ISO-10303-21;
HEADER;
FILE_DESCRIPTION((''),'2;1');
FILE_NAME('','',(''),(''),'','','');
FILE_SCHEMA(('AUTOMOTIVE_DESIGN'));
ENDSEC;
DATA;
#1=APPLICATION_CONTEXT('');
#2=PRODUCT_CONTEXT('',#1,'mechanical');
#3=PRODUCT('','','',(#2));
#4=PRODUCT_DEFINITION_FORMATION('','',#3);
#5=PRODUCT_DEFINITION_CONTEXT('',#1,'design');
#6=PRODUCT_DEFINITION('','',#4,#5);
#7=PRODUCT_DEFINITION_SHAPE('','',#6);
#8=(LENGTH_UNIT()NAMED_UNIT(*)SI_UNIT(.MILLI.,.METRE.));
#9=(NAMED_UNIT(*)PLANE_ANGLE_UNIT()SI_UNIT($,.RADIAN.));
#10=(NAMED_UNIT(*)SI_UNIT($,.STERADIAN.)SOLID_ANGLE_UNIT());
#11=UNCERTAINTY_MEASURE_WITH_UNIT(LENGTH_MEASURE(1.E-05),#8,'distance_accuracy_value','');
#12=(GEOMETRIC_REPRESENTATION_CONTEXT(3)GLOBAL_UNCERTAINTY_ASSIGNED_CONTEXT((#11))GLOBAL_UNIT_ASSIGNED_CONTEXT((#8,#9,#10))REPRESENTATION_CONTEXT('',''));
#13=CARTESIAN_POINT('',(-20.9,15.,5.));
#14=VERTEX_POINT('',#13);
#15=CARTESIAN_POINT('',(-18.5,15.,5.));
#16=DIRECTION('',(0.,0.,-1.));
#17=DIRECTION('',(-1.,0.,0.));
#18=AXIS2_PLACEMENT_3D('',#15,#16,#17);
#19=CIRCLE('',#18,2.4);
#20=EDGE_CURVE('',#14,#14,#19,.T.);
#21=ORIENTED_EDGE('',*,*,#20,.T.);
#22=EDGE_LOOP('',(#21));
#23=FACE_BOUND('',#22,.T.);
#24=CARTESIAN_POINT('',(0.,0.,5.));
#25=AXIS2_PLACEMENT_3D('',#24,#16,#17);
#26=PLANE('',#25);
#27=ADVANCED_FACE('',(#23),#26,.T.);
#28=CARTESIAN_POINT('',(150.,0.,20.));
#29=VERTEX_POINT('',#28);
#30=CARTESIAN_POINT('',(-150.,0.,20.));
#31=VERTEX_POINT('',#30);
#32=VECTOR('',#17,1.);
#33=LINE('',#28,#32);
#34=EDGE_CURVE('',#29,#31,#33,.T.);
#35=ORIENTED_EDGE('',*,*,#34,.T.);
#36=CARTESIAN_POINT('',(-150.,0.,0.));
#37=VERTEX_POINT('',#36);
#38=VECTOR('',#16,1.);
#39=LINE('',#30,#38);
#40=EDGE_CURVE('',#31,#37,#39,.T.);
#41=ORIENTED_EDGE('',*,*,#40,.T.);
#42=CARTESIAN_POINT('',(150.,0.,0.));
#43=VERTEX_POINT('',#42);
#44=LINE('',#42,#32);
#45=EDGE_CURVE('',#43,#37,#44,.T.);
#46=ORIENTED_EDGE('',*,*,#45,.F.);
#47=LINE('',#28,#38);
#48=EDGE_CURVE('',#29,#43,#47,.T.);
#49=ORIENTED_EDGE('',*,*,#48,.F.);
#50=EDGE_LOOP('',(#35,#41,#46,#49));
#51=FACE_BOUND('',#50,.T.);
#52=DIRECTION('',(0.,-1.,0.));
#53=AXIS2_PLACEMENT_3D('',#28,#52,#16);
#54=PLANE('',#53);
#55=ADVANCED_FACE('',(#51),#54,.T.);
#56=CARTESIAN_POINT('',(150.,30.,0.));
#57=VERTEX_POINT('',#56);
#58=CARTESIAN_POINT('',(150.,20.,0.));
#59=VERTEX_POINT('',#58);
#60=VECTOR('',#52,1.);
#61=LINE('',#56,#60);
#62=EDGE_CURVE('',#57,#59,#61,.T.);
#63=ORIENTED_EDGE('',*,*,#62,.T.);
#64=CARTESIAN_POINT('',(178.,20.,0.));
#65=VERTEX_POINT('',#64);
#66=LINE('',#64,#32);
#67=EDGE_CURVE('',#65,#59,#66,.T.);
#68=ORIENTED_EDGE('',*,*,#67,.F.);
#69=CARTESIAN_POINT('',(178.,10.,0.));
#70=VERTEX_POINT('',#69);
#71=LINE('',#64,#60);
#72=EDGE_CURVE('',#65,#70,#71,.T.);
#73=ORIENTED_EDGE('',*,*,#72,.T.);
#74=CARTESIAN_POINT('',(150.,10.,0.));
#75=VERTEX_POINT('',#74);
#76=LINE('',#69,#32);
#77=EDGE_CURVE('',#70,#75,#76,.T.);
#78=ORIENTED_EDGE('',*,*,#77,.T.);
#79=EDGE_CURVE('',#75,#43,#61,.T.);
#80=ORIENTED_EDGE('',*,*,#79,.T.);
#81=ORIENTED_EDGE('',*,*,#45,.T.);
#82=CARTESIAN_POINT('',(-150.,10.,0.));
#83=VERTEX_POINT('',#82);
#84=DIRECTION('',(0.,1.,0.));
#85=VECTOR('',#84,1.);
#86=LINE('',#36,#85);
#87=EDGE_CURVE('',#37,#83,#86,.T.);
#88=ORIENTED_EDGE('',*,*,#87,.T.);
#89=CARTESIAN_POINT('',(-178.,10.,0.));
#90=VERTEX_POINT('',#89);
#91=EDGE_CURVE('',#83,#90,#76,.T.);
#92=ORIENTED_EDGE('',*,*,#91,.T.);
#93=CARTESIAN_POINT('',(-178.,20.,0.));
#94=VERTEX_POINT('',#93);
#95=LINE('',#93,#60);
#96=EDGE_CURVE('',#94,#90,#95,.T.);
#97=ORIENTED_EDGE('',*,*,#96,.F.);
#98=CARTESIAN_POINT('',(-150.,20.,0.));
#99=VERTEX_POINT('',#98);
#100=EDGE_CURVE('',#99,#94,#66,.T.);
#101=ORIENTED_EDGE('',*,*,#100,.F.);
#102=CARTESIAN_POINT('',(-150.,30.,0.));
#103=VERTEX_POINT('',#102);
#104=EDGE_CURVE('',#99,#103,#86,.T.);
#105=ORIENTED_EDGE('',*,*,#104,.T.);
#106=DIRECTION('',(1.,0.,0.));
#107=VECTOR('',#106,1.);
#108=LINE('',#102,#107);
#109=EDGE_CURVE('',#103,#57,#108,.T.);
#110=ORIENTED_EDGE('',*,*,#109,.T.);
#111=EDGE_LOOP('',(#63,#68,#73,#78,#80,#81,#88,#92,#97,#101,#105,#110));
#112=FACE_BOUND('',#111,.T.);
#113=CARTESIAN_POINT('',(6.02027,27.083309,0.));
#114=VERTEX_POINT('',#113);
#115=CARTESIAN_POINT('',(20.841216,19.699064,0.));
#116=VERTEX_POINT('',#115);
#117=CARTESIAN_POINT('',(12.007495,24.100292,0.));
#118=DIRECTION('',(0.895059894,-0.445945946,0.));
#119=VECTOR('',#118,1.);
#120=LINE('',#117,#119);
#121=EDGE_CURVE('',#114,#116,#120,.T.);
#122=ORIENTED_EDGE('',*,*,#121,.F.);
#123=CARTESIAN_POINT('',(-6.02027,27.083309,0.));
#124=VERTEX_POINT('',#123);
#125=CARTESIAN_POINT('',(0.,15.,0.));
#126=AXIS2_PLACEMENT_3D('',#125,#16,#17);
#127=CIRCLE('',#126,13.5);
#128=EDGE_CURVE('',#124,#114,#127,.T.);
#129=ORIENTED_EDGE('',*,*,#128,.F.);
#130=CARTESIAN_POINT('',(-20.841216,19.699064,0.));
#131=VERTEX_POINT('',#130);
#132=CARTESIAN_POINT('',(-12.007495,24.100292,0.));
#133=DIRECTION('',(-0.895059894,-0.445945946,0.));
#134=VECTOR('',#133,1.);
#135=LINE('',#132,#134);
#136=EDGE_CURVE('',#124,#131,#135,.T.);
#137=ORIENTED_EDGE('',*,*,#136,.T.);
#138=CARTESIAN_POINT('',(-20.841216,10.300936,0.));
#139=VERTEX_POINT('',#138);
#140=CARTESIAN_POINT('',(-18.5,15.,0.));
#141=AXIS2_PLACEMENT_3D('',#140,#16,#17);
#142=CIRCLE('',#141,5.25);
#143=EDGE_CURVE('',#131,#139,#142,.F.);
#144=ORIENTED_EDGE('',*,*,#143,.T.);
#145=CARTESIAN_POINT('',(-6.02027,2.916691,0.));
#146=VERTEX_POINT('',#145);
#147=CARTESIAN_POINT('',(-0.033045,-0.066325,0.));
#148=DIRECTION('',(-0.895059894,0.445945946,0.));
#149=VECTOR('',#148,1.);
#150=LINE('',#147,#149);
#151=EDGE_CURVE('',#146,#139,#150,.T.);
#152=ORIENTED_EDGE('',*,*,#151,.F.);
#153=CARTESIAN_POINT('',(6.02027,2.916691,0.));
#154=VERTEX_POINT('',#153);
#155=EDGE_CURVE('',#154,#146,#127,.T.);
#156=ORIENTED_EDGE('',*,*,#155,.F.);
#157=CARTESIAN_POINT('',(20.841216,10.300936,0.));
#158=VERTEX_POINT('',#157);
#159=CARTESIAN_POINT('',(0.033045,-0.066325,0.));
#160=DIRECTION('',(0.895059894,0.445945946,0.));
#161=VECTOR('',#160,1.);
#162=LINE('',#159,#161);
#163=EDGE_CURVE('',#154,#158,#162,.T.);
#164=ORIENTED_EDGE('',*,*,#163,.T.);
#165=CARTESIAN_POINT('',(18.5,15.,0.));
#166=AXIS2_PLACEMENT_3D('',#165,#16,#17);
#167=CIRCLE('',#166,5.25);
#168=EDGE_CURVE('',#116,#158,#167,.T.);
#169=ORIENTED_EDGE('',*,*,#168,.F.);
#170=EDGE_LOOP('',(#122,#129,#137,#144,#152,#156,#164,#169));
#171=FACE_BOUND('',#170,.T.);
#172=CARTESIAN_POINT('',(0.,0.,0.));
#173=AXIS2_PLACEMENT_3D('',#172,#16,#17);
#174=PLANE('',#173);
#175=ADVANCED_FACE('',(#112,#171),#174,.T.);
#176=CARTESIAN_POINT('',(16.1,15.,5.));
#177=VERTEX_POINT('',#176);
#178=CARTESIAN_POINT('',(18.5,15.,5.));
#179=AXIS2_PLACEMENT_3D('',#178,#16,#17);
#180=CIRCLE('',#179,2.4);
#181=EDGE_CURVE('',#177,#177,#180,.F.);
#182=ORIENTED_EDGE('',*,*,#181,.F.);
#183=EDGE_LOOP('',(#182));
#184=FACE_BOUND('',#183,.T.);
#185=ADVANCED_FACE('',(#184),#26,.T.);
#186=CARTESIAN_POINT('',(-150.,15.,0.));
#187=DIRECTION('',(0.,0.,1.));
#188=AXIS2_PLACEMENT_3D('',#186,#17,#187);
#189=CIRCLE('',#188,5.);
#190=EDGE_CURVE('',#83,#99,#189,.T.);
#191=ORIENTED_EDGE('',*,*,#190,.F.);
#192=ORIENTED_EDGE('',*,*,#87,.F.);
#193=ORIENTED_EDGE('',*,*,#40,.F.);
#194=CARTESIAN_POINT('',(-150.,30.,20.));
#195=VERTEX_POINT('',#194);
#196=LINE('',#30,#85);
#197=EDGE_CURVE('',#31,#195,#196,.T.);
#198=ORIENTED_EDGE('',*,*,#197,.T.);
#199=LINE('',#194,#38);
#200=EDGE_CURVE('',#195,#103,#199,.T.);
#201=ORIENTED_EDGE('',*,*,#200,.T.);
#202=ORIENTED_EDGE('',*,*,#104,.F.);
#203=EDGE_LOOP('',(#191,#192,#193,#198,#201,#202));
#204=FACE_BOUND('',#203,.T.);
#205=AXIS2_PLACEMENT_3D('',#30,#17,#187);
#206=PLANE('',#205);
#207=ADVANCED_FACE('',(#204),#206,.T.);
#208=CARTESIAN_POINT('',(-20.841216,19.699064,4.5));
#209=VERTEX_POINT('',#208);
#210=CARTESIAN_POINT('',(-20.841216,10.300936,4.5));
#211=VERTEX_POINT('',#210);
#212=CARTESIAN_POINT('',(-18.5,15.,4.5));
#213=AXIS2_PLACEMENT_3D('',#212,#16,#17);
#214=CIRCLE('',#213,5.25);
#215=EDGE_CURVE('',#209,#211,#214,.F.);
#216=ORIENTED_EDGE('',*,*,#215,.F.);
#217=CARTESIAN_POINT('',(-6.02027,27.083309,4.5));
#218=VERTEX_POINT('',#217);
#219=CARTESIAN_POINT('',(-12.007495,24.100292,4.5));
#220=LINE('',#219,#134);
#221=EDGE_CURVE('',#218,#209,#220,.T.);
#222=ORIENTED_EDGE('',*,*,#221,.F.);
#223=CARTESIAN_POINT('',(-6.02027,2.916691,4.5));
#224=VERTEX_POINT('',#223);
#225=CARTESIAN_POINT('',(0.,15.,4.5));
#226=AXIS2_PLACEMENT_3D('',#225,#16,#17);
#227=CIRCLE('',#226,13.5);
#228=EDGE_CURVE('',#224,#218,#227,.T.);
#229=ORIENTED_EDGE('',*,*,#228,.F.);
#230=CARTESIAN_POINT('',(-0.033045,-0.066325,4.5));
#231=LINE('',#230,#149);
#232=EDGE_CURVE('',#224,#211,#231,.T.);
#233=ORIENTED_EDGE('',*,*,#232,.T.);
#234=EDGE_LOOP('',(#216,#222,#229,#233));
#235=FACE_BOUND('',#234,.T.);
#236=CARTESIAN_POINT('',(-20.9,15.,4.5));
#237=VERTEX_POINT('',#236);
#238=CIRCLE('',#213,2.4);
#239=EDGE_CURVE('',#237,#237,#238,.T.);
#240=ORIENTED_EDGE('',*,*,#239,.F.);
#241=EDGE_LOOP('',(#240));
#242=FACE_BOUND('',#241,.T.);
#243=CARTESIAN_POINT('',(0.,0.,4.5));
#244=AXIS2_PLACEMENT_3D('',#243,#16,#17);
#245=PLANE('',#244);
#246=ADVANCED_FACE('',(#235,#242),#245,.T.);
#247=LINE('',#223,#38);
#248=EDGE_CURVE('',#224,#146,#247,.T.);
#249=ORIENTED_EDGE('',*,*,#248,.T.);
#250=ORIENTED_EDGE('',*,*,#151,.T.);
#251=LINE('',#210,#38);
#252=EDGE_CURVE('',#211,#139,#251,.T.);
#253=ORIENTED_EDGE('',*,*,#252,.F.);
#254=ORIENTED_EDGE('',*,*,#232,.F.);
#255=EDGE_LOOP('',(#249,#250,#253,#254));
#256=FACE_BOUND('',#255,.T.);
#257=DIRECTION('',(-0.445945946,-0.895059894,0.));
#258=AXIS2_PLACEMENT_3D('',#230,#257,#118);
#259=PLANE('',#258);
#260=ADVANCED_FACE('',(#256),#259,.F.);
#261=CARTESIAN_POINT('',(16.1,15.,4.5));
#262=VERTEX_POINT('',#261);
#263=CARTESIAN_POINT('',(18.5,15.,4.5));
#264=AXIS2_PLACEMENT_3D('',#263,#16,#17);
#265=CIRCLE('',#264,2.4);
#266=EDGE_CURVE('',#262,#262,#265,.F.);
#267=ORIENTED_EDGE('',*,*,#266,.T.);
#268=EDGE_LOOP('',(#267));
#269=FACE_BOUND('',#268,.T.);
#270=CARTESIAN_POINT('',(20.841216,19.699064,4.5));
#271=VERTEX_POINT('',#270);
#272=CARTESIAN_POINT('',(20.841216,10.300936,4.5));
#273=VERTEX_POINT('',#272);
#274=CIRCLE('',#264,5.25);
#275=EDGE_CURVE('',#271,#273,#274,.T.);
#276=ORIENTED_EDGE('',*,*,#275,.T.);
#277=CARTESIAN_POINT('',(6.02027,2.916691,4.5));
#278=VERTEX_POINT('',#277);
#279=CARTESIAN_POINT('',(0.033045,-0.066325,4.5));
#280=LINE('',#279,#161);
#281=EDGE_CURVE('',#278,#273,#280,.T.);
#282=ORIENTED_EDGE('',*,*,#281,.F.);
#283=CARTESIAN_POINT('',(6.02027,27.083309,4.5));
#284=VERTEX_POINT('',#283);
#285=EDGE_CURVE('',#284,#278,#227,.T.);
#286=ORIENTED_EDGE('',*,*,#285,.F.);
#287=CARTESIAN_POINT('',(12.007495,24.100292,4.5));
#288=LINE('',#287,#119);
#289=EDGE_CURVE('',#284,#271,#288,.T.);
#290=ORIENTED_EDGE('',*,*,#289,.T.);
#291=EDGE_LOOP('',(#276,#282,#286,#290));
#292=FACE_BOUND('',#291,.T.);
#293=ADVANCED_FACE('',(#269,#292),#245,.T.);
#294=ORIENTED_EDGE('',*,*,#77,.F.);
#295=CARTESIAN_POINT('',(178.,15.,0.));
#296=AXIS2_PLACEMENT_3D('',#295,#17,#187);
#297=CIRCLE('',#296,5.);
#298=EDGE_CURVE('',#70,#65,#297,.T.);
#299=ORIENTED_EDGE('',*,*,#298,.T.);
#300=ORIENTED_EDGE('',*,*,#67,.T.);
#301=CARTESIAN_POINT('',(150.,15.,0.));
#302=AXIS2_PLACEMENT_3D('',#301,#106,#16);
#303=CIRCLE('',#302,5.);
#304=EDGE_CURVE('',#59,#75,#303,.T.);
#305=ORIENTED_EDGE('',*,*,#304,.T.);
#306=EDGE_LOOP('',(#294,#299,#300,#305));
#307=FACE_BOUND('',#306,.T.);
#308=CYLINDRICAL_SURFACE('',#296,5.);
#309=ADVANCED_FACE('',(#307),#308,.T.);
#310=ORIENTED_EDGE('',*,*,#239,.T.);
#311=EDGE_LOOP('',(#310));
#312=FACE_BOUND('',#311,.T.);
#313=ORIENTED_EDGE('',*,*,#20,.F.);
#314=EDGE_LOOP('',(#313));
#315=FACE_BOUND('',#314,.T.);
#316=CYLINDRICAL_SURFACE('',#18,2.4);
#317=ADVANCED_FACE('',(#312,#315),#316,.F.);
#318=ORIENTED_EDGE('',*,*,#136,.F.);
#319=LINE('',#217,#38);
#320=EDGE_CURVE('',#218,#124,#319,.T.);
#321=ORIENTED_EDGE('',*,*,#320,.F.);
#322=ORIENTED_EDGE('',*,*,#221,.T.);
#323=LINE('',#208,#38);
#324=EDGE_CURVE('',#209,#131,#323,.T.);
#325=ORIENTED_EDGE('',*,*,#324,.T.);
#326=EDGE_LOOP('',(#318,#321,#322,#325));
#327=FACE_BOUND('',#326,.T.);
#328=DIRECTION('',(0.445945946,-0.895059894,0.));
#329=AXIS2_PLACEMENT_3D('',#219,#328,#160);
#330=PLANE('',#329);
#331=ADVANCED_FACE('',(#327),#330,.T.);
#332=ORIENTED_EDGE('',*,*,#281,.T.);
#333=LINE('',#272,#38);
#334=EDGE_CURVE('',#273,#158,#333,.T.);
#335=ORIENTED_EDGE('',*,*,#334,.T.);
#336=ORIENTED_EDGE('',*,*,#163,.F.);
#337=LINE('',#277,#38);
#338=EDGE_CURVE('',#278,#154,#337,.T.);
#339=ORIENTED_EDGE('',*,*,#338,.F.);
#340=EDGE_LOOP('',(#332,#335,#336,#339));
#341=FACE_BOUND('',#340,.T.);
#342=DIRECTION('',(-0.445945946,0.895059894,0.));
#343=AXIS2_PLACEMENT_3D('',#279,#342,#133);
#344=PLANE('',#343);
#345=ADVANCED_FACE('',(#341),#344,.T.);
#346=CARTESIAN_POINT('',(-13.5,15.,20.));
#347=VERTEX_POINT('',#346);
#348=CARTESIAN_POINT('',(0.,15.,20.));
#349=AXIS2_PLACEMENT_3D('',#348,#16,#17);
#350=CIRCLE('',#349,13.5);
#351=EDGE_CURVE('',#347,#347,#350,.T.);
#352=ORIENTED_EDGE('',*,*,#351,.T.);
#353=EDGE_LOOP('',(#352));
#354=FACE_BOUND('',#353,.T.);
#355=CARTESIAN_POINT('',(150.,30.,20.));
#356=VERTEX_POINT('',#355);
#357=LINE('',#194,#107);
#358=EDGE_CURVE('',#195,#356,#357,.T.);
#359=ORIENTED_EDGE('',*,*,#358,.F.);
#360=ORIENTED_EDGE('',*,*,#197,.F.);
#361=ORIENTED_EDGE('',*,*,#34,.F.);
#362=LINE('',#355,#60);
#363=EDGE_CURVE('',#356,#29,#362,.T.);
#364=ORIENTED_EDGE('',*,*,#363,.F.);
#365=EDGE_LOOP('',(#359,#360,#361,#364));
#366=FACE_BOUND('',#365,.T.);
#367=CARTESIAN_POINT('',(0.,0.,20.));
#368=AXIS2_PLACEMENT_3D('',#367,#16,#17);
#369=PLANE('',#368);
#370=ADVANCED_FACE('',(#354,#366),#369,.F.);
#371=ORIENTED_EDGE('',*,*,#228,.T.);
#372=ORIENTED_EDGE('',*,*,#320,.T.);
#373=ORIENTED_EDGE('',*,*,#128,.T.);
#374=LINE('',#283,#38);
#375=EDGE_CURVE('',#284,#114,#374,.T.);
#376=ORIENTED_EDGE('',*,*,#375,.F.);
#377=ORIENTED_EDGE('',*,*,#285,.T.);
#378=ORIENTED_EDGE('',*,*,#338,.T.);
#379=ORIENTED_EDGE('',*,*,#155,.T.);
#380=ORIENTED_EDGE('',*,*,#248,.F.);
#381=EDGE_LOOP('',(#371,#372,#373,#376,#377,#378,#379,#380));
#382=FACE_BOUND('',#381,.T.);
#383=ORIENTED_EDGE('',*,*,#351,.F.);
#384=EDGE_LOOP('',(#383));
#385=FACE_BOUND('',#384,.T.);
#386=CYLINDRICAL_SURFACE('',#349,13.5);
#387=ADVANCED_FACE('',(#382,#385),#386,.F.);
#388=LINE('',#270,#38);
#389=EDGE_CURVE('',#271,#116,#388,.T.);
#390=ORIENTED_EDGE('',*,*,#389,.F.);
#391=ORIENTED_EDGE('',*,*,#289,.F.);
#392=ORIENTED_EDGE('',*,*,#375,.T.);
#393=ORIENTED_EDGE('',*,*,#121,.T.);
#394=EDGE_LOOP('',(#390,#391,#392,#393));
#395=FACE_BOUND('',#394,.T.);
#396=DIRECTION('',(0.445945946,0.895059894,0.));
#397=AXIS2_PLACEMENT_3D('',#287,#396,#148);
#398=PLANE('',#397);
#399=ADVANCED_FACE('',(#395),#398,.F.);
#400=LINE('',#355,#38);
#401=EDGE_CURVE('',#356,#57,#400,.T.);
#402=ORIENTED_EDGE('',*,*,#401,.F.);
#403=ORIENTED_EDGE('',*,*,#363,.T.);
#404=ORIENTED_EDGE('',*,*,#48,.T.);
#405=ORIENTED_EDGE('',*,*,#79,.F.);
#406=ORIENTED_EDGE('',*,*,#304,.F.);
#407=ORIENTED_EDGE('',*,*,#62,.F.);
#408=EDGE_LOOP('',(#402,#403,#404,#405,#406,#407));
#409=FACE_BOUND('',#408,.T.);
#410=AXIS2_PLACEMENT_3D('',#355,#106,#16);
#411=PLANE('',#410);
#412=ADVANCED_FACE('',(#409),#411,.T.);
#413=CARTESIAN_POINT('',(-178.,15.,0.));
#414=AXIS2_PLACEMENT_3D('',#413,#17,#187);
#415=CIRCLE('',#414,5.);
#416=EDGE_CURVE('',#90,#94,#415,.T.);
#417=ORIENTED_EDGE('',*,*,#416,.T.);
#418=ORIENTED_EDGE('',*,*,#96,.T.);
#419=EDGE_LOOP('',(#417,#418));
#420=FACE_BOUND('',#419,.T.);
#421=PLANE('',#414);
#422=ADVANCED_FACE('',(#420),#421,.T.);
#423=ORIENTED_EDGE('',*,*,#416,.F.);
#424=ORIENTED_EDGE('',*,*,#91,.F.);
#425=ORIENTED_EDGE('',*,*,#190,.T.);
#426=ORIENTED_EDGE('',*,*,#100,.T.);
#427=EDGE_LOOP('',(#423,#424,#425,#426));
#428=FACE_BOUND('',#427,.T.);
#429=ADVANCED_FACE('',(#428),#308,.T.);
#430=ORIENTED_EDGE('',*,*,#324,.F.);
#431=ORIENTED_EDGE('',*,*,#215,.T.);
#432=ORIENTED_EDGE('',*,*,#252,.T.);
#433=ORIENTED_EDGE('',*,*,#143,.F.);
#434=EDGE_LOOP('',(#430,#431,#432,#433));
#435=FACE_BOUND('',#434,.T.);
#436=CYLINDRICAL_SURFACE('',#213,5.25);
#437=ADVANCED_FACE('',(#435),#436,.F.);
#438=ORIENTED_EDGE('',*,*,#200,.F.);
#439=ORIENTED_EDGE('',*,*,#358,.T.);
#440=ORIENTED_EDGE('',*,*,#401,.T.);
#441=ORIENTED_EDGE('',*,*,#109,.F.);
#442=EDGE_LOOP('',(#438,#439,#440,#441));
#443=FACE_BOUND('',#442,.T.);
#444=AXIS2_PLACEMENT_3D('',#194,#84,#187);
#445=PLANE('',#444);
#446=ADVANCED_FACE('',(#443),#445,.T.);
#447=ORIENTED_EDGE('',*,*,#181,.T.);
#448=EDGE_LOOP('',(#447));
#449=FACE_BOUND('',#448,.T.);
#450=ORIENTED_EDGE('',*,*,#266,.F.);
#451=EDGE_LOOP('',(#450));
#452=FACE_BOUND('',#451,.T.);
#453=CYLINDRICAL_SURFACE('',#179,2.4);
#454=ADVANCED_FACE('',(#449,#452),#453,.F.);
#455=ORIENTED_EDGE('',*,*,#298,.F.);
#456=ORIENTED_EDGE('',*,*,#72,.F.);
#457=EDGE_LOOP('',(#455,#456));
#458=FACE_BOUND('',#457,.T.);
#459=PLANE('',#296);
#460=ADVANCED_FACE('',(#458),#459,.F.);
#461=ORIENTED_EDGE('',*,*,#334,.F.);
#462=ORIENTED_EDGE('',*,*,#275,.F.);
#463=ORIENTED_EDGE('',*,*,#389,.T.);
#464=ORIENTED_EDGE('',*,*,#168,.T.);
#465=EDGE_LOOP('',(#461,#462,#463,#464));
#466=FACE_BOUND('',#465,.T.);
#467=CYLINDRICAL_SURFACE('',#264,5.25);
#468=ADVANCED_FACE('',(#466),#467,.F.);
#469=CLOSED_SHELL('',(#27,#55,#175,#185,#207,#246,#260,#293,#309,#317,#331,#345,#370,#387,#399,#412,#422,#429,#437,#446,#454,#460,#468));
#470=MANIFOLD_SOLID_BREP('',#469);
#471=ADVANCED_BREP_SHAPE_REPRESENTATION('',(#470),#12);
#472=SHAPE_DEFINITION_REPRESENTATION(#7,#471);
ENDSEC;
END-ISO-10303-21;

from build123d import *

# Parameters (mm, degrees)
SKETCH_1_W           = 300
SKETCH_1_H           = 30
EXTRUDE_1_DEPTH      = 20
EXTRUDE_2_DEPTH      = 28
EXTRUDE_2_DEPTH_BACK = 328
SKETCH_3_R           = 4
CUT_EXTRUDE_1_DEPTH  = 182.614977356
SKETCH_3_3_R         = 6
SKETCH_3_3_R_2       = 4
CUT_EXTRUDE_2_DEPTH  = 182.614977356
SKETCH_3_4_R         = 13.5
SKETCH_3_4_R_2       = 6
CUT_EXTRUDE_3_DEPTH  = 182.614977356
SKETCH_3_5_R         = 2.4
CUT_EXTRUDE_4_DEPTH  = 4.5
SKETCH_3_6_R         = 2.4
CUT_EXTRUDE_5_DEPTH  = 5


with BuildPart() as part:
    # 草图1 → 凸台-拉伸1 (new body)
    with BuildSketch(Plane.XY):
        with Locations((0, 15)):
            Rectangle(SKETCH_1_W, SKETCH_1_H)
    extrude(amount=EXTRUDE_1_DEPTH)

    # 草图2 → 凸台-拉伸2 (add, two sides: drawn at the far end of the back side and taken through both)
    with BuildSketch(Plane.ZY.offset(150).offset(-EXTRUDE_2_DEPTH_BACK)):
        with BuildLine():
            Line((0, 20), (0, 10))
            ThreePointArc((0, 10), (5, 15), (0, 20))
        make_face()
    extrude(amount=EXTRUDE_2_DEPTH + EXTRUDE_2_DEPTH_BACK)

    # 草图3 → 切除-拉伸1 (cut, through all)
    with BuildSketch(Plane(origin=(0, 0, 0), x_dir=(-1, 0, 0), z_dir=(0, 0, -1))):
        with Locations((0, 15)):
            Circle(SKETCH_3_R)
    extrude(amount=-CUT_EXTRUDE_1_DEPTH, mode=Mode.SUBTRACT)

    # 草图3<3> → 切除-拉伸2 (cut, through all)
    with BuildSketch(Plane(origin=(0, 0, 0), x_dir=(-1, 0, 0), z_dir=(0, 0, -1))):
        with Locations((0, 15)):
            Circle(SKETCH_3_3_R)
        with Locations((0, 15)):
            Circle(SKETCH_3_3_R_2, mode=Mode.SUBTRACT)
    extrude(amount=-CUT_EXTRUDE_2_DEPTH, mode=Mode.SUBTRACT)

    # 草图3<4> → 切除-拉伸3 (cut, through all)
    with BuildSketch(Plane(origin=(0, 0, 0), x_dir=(-1, 0, 0), z_dir=(0, 0, -1))):
        with Locations((0, 15)):
            Circle(SKETCH_3_4_R)
        with Locations((0, 15)):
            Circle(SKETCH_3_4_R_2, mode=Mode.SUBTRACT)
    extrude(amount=-CUT_EXTRUDE_3_DEPTH, mode=Mode.SUBTRACT)

    # 草图3<5> → 切除-拉伸4 (cut)
    # profile 1 of 2: a face of its own
    with BuildSketch(Plane(origin=(0, 0, 0), x_dir=(-1, 0, 0), z_dir=(0, 0, -1))):
        with BuildLine():
            ThreePointArc((-6.02027027, 2.916691435), (-13.5, 15), (-6.02027027, 27.083308565))
            Line((-6.02027027, 27.083308565), (-20.841216216, 19.699064442))
            ThreePointArc((-20.841216216, 19.699064442), (-23.75, 15), (-20.841216216, 10.300935558))
            Line((-20.841216216, 10.300935558), (-6.02027027, 2.916691435))
        make_face()
        with Locations((-18.5, 15)):
            Circle(SKETCH_3_5_R, mode=Mode.SUBTRACT)
    # profile 2 of 2: a face of its own
    with BuildSketch(Plane(origin=(0, 0, 0), x_dir=(-1, 0, 0), z_dir=(0, 0, -1))):
        with BuildLine():
            Line((20.841216216, 19.699064442), (6.02027027, 27.083308565))
            ThreePointArc((6.02027027, 27.083308565), (13.5, 15), (6.02027027, 2.916691435))
            Line((6.02027027, 2.916691435), (20.841216216, 10.300935558))
            ThreePointArc((20.841216216, 10.300935558), (23.75, 15), (20.841216216, 19.699064442))
        make_face()
        with Locations((18.5, 15)):
            Circle(SKETCH_3_5_R, mode=Mode.SUBTRACT)
    extrude(amount=-CUT_EXTRUDE_4_DEPTH, mode=Mode.SUBTRACT)

    # 草图3<6> → 切除-拉伸5 (cut)
    with BuildSketch(Plane(origin=(0, 0, 0), x_dir=(-1, 0, 0), z_dir=(0, 0, -1))):
        with Locations((18.5, 15)):
            Circle(SKETCH_3_6_R)
        with Locations((-18.5, 15)):
            Circle(SKETCH_3_6_R)
    extrude(amount=-CUT_EXTRUDE_5_DEPTH, mode=Mode.SUBTRACT)


solid = part.part
